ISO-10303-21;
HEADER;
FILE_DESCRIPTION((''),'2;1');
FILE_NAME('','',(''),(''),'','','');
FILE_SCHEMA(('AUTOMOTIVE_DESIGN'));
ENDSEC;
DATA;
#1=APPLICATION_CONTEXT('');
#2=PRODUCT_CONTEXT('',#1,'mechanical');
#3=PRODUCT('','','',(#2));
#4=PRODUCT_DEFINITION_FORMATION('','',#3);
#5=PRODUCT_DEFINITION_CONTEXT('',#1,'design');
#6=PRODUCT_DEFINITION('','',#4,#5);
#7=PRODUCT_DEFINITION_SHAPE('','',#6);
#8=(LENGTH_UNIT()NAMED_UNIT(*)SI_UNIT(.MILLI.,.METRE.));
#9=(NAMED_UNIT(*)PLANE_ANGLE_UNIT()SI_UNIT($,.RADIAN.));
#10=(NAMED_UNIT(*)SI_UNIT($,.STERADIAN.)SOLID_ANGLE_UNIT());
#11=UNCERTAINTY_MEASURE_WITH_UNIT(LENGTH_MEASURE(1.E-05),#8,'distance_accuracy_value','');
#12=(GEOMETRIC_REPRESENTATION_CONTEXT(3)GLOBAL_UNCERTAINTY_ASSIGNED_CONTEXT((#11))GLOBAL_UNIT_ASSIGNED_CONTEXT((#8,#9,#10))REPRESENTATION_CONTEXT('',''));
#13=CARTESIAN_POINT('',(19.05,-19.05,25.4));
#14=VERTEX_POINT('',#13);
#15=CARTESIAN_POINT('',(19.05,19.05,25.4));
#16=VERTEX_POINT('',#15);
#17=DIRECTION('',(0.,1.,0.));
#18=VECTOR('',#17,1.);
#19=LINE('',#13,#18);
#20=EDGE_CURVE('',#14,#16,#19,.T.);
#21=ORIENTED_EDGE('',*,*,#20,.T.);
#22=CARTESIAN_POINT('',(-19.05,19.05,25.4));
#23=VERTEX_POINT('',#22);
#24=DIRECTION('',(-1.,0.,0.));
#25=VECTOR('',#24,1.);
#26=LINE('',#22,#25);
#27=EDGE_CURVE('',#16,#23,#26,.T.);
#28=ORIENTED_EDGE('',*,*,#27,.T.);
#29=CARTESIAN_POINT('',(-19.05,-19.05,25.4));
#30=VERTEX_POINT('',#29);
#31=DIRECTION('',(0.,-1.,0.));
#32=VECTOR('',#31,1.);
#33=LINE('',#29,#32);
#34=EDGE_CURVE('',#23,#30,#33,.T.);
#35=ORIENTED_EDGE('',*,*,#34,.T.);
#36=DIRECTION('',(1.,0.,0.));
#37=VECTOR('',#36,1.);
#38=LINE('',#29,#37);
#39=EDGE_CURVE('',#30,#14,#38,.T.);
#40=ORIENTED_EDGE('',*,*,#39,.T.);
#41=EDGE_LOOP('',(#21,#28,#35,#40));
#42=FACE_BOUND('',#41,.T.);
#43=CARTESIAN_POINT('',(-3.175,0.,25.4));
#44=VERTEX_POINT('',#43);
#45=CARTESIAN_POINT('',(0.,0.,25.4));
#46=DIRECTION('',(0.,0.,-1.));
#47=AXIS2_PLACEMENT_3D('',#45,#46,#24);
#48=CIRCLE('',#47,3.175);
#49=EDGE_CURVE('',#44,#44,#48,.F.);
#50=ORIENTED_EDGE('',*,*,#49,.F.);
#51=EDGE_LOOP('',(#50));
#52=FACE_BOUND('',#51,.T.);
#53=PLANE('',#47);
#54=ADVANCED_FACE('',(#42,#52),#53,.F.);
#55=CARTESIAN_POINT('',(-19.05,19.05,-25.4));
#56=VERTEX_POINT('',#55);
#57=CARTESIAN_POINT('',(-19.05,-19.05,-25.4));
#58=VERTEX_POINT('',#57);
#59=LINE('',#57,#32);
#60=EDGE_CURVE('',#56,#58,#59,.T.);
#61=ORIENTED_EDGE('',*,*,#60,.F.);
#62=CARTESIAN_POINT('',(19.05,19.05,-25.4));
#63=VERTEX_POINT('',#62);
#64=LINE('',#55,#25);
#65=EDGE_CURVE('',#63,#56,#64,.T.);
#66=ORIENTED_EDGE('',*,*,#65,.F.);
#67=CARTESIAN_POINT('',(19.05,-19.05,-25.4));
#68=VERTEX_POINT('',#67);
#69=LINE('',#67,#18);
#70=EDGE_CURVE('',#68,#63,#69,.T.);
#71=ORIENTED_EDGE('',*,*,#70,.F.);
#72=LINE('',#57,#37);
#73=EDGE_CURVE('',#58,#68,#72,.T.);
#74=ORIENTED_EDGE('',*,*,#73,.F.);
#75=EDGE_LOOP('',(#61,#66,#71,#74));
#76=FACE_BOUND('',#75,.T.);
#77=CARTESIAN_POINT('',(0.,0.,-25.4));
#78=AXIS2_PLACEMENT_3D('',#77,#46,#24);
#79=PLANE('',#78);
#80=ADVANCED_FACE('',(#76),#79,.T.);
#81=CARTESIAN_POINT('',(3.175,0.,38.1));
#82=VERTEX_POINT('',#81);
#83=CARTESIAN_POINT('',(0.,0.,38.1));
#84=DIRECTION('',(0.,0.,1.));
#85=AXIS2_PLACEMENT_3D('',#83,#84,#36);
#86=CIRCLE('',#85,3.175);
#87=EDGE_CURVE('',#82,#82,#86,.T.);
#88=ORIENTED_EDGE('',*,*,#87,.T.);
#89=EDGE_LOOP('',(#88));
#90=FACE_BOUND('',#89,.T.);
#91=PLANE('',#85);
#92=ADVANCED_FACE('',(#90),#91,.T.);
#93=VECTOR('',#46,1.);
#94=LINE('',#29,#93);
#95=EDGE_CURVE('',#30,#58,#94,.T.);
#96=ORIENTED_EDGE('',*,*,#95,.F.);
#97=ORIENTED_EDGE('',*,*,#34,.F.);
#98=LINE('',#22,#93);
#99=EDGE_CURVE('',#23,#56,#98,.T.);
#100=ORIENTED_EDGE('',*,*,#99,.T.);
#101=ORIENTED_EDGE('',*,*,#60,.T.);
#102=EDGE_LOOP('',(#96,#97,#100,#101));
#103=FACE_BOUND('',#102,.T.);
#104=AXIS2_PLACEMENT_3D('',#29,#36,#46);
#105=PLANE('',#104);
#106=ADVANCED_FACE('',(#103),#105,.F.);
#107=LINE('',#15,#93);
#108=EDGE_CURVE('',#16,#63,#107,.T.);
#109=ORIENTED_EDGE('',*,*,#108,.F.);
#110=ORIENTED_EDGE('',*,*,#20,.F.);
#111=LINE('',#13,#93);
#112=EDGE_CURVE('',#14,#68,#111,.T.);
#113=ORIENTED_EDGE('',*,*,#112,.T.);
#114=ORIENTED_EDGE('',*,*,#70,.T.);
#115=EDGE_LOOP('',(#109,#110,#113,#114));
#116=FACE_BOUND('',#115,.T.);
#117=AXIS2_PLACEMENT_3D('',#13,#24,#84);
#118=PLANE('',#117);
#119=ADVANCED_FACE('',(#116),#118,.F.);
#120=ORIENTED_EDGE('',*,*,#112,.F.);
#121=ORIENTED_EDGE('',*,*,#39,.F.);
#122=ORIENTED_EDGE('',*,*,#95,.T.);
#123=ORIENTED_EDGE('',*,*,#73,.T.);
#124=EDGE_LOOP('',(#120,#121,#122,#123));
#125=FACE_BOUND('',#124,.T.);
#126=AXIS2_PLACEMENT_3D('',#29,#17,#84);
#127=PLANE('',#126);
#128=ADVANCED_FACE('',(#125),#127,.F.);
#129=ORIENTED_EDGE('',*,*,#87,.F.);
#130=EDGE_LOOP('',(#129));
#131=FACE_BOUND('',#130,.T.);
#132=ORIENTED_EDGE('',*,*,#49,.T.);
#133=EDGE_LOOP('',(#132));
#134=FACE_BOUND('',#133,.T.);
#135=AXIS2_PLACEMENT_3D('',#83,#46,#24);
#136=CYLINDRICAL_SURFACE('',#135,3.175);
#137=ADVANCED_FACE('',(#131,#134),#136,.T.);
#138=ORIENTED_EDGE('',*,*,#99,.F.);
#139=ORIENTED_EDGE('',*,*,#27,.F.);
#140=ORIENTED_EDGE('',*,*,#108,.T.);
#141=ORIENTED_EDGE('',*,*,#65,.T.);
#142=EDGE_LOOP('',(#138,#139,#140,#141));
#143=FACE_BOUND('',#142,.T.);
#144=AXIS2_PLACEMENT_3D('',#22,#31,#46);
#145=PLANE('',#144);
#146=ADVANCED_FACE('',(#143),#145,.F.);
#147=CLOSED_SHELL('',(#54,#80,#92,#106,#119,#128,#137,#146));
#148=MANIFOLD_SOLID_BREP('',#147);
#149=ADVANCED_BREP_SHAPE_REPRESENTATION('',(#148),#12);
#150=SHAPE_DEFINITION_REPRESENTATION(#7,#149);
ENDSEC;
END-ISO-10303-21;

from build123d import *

# Parameters (mm, degrees)
SKETCH1_W           = 38.1
SKETCH1_H           = 38.1
BOSS_EXTRUDE1_DEPTH = 25.4
SKETCH2_R           = 3.175
BOSS_EXTRUDE2_DEPTH = 12.7


with BuildPart() as part:
    # Sketch1 → Boss-Extrude1 (new, symmetric)
    with BuildSketch(Plane.XY):
        Rectangle(SKETCH1_W, SKETCH1_H)
    extrude(amount=BOSS_EXTRUDE1_DEPTH, both=True)

    # Sketch2 → Boss-Extrude2 (add)
    with BuildSketch(Plane.XY.offset(25.4)):
        with Locations(Location((0, 0, 0), (0, 0, 180))):
            Circle(SKETCH2_R)
    extrude(amount=BOSS_EXTRUDE2_DEPTH)


solid = part.part
